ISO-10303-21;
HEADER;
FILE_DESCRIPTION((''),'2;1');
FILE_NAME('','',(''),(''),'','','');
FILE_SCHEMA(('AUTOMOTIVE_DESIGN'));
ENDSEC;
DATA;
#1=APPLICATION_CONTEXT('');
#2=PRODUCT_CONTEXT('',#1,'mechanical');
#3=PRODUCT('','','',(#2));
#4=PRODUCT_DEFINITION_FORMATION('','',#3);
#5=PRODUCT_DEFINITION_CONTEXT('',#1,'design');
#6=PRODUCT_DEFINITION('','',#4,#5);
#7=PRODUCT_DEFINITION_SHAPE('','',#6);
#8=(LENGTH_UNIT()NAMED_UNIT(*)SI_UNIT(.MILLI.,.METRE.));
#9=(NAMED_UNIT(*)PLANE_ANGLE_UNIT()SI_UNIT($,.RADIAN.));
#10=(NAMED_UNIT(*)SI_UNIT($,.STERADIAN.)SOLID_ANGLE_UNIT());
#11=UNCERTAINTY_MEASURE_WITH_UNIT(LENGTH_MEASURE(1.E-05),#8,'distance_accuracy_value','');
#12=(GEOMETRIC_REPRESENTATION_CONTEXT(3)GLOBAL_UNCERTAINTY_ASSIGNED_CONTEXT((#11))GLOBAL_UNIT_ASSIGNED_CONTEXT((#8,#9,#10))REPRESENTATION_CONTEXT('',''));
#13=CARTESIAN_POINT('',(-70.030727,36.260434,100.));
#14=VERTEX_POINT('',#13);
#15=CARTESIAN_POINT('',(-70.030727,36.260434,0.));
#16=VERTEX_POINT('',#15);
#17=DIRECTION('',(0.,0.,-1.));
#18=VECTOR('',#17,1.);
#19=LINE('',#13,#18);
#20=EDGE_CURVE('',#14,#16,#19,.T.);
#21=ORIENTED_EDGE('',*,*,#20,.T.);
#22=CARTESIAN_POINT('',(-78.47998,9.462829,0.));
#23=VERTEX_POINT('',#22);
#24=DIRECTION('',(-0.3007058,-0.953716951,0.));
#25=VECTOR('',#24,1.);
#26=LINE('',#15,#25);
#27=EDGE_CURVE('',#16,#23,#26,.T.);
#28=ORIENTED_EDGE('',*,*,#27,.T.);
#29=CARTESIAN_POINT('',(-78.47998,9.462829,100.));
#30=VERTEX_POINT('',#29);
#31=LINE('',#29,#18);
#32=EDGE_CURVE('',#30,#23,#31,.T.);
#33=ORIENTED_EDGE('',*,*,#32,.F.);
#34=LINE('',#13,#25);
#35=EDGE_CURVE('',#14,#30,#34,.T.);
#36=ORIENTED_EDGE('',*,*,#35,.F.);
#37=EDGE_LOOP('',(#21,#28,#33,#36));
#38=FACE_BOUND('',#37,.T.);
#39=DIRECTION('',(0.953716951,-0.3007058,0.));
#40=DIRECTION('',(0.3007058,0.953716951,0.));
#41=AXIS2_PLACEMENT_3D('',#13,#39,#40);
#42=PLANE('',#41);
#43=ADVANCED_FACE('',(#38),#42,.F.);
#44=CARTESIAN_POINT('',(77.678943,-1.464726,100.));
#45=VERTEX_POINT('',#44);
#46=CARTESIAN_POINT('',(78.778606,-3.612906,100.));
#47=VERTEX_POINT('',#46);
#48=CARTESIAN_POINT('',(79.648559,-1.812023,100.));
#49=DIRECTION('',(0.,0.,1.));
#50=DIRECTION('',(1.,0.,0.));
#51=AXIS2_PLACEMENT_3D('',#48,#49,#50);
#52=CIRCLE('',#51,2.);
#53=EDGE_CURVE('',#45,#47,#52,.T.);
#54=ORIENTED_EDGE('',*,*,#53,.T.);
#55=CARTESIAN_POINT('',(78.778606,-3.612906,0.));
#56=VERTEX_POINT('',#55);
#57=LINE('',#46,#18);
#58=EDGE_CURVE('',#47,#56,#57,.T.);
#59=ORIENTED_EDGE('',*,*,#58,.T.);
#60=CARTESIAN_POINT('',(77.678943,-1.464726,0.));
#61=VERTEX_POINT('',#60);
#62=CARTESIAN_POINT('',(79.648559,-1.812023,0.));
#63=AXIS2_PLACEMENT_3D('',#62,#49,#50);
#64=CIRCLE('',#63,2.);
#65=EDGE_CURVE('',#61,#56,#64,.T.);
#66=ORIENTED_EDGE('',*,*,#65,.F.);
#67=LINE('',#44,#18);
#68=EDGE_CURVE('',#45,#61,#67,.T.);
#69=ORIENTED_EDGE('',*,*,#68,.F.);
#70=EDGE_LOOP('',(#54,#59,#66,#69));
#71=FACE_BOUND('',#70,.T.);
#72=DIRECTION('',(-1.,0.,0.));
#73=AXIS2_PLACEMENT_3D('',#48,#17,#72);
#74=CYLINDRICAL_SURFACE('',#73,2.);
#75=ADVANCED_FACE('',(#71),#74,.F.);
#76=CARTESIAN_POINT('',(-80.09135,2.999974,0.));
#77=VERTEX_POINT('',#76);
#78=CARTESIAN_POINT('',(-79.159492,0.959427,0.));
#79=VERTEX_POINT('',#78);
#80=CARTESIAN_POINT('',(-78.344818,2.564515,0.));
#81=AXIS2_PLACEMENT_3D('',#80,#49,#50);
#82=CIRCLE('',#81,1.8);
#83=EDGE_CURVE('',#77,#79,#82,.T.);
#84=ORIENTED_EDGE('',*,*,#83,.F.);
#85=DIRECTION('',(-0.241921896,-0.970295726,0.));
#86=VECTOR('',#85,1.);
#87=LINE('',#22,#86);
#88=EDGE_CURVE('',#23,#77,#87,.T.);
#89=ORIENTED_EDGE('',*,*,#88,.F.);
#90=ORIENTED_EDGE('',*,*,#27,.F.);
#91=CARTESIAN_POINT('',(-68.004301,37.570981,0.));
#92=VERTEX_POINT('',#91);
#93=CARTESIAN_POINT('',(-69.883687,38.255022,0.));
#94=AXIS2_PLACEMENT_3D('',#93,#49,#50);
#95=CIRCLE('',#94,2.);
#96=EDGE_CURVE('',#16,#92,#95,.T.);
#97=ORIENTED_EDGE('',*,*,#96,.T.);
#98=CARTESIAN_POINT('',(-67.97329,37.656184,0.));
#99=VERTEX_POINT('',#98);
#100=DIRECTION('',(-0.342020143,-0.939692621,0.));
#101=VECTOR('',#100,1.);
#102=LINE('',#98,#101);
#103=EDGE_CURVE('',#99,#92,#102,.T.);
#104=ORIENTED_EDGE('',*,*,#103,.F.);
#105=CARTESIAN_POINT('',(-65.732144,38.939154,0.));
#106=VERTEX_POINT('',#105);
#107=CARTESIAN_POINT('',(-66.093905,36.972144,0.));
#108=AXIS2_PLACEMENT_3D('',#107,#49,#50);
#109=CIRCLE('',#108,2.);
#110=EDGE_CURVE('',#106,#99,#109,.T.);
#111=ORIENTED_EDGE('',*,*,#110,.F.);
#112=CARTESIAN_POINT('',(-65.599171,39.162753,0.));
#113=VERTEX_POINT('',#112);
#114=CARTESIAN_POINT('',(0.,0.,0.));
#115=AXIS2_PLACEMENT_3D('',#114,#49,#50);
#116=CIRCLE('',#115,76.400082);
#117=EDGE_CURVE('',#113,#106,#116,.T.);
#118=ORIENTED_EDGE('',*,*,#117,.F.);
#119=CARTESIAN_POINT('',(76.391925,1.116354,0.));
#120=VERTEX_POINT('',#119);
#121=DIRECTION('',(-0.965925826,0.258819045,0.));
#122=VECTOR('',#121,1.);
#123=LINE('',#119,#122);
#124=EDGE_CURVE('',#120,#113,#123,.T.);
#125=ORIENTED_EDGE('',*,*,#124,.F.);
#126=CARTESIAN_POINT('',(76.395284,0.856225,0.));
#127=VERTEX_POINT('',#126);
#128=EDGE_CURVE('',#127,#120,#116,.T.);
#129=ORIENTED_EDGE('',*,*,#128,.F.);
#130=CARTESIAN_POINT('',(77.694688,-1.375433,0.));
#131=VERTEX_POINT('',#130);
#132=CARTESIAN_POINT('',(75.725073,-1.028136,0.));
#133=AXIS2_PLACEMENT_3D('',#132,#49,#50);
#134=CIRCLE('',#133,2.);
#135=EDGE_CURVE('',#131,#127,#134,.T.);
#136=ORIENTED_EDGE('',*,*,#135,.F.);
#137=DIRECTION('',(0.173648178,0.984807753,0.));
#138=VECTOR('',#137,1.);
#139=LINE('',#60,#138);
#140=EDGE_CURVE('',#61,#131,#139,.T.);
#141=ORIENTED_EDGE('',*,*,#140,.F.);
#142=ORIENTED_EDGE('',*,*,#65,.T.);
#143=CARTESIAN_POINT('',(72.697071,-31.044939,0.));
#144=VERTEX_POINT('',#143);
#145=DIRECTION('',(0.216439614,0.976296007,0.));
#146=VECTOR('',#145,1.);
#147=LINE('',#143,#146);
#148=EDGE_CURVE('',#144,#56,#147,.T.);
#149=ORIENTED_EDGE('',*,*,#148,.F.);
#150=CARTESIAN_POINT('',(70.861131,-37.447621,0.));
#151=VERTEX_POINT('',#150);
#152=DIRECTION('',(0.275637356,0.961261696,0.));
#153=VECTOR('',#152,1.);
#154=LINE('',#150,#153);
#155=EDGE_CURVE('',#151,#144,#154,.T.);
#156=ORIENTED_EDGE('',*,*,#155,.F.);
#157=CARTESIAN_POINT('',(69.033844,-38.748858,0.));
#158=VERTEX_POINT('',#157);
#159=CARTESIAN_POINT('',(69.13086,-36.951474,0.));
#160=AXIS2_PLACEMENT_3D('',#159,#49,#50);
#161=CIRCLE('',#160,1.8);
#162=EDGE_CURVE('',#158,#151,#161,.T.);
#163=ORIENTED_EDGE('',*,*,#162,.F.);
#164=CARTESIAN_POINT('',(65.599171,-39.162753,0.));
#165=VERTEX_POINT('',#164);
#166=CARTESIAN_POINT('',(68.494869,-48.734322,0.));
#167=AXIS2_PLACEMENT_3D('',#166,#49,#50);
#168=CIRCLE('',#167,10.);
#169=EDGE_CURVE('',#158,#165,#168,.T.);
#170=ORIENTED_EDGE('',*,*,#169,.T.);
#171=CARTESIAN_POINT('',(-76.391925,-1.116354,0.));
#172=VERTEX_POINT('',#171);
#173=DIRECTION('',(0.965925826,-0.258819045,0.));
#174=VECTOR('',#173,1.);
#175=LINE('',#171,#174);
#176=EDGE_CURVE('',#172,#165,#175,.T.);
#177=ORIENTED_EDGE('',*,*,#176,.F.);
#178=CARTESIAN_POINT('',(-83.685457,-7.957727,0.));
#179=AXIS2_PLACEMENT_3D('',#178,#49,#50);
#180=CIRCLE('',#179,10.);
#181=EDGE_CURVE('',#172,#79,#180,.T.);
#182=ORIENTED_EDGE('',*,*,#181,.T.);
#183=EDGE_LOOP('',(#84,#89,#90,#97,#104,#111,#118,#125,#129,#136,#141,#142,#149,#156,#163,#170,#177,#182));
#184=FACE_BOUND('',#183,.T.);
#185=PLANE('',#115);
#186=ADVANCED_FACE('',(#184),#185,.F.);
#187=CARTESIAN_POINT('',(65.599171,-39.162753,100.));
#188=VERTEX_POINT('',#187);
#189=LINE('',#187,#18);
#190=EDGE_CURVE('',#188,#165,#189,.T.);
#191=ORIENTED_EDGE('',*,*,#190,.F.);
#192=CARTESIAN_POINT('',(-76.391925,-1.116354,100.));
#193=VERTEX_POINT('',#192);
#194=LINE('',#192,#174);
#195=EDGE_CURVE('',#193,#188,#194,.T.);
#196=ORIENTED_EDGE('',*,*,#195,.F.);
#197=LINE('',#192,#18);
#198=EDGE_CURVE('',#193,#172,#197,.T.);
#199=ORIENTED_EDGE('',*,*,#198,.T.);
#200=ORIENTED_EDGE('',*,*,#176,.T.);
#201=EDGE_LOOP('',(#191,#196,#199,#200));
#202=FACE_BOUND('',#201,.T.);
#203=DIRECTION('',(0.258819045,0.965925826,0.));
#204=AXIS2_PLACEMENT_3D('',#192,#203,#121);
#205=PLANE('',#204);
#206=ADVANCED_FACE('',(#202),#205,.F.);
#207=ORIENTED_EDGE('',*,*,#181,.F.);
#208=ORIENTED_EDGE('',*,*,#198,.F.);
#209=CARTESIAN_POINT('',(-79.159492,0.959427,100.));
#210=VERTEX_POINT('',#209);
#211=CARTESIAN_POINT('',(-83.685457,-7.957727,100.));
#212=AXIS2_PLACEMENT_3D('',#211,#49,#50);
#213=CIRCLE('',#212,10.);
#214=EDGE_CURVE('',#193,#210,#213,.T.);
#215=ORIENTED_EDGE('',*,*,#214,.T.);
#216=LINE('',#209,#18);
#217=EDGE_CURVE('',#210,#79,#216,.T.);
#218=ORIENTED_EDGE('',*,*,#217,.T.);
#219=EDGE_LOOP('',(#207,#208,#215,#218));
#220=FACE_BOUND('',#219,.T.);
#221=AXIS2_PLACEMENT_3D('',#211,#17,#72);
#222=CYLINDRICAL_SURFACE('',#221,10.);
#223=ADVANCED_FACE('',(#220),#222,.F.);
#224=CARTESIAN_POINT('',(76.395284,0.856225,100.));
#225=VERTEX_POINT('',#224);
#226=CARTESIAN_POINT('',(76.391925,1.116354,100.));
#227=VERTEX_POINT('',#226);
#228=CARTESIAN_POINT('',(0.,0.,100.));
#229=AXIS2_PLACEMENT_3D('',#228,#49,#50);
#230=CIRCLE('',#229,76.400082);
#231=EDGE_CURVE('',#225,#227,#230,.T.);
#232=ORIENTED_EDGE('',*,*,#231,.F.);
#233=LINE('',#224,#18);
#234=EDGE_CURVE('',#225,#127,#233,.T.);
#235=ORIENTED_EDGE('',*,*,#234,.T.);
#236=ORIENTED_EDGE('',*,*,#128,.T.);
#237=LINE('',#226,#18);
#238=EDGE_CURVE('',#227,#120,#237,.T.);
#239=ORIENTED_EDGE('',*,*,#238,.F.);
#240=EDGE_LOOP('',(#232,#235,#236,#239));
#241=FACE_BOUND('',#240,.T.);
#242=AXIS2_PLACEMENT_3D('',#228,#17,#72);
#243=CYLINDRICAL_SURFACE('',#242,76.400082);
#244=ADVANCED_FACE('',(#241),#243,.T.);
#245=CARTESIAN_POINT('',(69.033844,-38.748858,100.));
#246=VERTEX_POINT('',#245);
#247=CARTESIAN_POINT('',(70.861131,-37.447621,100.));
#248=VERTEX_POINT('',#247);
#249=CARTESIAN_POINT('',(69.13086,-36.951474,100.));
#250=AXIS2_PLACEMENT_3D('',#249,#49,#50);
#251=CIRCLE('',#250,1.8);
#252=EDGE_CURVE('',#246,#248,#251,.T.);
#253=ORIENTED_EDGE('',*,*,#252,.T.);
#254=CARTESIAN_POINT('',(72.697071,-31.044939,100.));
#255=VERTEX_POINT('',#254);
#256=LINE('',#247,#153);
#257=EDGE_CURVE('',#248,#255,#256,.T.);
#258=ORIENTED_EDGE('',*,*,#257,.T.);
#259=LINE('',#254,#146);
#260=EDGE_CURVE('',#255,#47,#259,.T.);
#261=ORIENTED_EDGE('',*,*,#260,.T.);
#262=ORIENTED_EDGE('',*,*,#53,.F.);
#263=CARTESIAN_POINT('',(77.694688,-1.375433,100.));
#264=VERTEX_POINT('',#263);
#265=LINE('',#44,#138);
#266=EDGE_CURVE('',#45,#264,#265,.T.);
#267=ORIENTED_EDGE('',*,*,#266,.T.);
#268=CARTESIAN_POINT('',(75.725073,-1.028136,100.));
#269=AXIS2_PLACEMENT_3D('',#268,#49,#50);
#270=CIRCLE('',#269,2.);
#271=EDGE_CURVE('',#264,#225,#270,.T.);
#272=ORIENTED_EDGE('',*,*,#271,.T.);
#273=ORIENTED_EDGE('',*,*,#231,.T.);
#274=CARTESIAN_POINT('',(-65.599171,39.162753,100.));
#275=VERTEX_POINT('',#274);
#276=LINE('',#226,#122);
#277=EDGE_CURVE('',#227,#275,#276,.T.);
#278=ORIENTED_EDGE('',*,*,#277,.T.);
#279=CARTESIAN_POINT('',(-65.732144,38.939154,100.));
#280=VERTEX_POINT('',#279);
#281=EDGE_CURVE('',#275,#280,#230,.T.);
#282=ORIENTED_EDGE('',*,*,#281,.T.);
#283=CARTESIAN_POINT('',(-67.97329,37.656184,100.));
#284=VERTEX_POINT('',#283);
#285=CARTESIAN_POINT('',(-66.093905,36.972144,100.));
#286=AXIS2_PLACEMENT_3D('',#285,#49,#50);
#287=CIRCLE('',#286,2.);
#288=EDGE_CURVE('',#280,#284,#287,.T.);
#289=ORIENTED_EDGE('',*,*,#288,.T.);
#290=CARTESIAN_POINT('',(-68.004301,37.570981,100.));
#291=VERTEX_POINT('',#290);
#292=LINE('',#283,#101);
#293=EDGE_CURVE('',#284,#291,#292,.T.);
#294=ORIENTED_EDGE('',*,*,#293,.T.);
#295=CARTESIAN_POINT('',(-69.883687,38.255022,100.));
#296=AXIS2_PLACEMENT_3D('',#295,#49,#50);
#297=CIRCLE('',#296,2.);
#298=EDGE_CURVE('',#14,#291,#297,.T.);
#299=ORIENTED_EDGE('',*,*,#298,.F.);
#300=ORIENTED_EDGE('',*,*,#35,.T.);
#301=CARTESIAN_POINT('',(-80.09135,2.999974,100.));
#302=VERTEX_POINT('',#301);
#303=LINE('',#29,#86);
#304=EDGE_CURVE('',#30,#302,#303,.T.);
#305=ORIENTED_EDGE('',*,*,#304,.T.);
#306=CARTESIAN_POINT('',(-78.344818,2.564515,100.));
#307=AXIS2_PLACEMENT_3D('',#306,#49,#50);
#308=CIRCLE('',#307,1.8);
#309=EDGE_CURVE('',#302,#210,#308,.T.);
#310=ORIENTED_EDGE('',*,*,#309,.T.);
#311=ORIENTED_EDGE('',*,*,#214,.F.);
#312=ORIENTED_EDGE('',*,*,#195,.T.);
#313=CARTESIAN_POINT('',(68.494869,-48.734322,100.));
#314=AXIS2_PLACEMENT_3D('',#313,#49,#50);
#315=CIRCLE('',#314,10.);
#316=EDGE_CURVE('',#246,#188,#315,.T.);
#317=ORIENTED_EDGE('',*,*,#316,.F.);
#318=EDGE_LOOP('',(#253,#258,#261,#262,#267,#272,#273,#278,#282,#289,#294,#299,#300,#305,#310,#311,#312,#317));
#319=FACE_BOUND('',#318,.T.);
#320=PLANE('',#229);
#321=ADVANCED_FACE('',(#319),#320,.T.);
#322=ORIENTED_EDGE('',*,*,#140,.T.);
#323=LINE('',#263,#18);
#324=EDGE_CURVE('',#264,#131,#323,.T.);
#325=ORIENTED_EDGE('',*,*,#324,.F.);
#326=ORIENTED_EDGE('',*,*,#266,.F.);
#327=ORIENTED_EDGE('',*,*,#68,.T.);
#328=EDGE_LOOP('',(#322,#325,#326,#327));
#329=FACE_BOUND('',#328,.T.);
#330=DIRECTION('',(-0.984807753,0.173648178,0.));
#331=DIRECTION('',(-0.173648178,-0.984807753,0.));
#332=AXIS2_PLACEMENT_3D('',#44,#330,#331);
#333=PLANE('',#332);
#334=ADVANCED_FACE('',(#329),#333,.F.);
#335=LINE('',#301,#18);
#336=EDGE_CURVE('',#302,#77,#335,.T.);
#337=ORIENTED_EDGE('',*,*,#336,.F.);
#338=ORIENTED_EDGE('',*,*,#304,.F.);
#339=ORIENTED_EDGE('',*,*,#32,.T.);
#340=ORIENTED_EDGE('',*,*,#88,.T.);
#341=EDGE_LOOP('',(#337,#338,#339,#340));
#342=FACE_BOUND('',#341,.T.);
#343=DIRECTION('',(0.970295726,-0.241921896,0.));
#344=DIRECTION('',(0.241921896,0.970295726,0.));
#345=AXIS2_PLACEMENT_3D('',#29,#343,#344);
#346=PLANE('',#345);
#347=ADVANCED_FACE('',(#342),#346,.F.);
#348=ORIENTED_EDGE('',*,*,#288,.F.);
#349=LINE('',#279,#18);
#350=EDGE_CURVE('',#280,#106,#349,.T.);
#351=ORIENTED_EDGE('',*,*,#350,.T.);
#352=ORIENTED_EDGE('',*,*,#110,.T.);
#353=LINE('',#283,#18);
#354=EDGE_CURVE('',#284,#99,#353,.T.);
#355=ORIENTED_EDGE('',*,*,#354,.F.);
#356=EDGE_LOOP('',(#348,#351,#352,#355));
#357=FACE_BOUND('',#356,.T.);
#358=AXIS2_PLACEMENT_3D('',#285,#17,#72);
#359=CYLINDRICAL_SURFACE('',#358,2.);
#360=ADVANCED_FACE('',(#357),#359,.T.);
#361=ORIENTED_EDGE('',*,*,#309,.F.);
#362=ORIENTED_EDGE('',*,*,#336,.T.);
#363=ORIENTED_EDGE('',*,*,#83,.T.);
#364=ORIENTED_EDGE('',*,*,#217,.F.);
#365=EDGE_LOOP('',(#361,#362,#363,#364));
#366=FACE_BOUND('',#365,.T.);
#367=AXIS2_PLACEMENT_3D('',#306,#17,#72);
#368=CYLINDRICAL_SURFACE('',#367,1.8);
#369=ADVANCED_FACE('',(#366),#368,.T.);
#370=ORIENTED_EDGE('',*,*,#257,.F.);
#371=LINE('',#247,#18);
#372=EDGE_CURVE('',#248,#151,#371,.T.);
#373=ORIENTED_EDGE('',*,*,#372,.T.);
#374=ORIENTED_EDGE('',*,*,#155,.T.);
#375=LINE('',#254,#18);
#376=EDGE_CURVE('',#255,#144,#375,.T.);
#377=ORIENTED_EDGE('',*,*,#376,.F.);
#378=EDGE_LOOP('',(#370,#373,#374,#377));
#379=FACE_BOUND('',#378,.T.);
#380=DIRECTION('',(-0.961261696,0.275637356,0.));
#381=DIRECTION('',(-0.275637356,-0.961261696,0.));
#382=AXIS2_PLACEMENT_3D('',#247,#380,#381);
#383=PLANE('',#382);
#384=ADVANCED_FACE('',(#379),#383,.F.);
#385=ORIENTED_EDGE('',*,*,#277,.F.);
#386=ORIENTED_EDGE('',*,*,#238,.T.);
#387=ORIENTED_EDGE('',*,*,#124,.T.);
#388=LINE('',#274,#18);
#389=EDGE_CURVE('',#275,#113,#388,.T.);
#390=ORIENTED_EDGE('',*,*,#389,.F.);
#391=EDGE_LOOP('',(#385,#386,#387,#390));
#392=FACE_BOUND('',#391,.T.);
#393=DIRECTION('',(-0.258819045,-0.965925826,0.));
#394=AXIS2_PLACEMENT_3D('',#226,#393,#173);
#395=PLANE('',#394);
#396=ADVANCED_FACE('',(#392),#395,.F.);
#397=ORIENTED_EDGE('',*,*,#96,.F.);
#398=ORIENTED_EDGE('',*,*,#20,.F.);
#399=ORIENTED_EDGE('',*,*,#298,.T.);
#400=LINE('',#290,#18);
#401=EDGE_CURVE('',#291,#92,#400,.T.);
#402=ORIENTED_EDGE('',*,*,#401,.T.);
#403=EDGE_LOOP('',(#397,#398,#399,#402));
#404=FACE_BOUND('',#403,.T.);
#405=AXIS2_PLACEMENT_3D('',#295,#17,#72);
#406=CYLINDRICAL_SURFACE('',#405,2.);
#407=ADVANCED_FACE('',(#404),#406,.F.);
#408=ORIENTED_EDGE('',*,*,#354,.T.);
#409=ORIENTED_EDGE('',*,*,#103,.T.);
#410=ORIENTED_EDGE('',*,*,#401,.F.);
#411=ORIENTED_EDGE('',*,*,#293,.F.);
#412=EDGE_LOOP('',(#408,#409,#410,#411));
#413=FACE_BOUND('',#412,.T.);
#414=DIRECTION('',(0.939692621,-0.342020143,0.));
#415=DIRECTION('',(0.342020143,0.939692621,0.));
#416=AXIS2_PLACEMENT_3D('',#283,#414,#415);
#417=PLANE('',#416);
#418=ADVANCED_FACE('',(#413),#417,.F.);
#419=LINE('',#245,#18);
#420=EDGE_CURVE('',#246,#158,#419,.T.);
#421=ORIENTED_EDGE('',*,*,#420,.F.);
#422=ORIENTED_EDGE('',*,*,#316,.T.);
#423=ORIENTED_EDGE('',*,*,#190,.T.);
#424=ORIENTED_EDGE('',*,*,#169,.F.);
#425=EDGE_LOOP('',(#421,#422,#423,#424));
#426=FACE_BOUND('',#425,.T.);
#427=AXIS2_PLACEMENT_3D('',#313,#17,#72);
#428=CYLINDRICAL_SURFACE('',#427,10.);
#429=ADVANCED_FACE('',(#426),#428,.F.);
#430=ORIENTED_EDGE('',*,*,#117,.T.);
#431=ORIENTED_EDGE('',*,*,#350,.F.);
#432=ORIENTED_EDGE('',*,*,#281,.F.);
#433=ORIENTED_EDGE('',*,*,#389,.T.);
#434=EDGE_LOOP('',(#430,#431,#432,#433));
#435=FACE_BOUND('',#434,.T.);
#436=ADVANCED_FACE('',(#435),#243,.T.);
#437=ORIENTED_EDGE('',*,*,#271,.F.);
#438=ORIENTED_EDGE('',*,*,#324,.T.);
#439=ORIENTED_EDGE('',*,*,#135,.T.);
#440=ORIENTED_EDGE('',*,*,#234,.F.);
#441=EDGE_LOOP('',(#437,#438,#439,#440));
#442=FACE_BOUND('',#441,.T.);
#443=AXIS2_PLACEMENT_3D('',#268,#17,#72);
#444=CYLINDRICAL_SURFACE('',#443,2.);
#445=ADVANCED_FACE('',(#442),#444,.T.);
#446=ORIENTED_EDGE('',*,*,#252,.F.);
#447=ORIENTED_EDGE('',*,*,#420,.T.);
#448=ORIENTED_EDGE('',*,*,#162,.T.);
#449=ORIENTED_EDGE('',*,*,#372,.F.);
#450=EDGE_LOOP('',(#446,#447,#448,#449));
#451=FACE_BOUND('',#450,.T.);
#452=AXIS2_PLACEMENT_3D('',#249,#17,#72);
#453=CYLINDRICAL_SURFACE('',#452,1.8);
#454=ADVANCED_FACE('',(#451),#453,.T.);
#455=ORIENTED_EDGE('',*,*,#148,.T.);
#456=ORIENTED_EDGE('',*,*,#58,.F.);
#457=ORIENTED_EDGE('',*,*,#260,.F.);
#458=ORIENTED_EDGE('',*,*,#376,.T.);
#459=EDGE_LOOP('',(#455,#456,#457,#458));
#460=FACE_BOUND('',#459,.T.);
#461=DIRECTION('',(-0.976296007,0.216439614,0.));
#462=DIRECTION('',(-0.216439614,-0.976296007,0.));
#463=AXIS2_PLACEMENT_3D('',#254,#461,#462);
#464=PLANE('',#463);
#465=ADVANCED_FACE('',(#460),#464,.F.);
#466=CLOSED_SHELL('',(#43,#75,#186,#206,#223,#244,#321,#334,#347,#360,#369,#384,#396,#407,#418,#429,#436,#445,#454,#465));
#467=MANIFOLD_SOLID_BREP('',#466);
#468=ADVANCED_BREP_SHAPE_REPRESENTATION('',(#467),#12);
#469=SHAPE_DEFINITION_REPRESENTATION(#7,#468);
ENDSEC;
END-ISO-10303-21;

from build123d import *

# Parameters (mm, degrees)
BOSS_EXTRUDE1_DEPTH = 100


with BuildPart() as part:
    # Sketch1 → Boss-Extrude1 (new body)
    with BuildSketch(Plane(origin=(0, 0, 0), x_dir=(-1, 0, 0), z_dir=(0, 0, 1))):
        with BuildLine():
            Line((67.973290008, -37.656184374), (68.004301332, -37.570981461))
            ThreePointArc((68.004301332, -37.570981461), (68.797575177, -36.575628395), (70.030727156, -36.260434305))
            Line((70.030727156, -36.260434305), (78.47997961, -9.462829137))
            Line((78.47997961, -9.462829137), (80.091350343, -2.999974125))
            ThreePointArc((80.091350343, -2.999974125), (79.982164163, -1.81678638), (79.159491845, -0.959426994))
            ThreePointArc((79.159491845, -0.959426994), (77.685261787, -0.04212625), (76.391925323, 1.116353663))
            Line((76.391925323, 1.116353663), (-65.599171142, 39.162753293))
            ThreePointArc((-65.599171142, 39.162753293), (-67.298473332, 38.806148491), (-69.033844385, 38.748857773))
            ThreePointArc((-69.033844385, 38.748857773), (-70.174979205, 38.417698923), (-70.861131083, 37.447621369))
            Line((-70.861131083, 37.447621369), (-72.6970706, 31.044939381))
            Line((-72.6970706, 31.044939381), (-78.778605915, 3.612906317))
            ThreePointArc((-78.778605915, 3.612906317), (-77.86826202, 2.723364239), (-77.678943251, 1.464726275))
            Line((-77.678943251, 1.464726275), (-77.694688113, 1.375432727))
            ThreePointArc((-77.694688113, 1.375432727), (-77.453437445, 0.021779086), (-76.395283749, -0.8562248))
            ThreePointArc((-76.395283749, -0.8562248), (-76.393715257, -0.986290661), (-76.391925323, -1.116353663))
            Line((-76.391925323, -1.116353663), (65.599171142, -39.162753293))
            ThreePointArc((65.599171142, -39.162753293), (65.665752771, -39.051010396), (65.732144056, -38.939154303))
            ThreePointArc((65.732144056, -38.939154303), (67.08753398, -38.707857481), (67.973290008, -37.656184374))
        make_face()
    extrude(amount=BOSS_EXTRUDE1_DEPTH)


solid = part.part
